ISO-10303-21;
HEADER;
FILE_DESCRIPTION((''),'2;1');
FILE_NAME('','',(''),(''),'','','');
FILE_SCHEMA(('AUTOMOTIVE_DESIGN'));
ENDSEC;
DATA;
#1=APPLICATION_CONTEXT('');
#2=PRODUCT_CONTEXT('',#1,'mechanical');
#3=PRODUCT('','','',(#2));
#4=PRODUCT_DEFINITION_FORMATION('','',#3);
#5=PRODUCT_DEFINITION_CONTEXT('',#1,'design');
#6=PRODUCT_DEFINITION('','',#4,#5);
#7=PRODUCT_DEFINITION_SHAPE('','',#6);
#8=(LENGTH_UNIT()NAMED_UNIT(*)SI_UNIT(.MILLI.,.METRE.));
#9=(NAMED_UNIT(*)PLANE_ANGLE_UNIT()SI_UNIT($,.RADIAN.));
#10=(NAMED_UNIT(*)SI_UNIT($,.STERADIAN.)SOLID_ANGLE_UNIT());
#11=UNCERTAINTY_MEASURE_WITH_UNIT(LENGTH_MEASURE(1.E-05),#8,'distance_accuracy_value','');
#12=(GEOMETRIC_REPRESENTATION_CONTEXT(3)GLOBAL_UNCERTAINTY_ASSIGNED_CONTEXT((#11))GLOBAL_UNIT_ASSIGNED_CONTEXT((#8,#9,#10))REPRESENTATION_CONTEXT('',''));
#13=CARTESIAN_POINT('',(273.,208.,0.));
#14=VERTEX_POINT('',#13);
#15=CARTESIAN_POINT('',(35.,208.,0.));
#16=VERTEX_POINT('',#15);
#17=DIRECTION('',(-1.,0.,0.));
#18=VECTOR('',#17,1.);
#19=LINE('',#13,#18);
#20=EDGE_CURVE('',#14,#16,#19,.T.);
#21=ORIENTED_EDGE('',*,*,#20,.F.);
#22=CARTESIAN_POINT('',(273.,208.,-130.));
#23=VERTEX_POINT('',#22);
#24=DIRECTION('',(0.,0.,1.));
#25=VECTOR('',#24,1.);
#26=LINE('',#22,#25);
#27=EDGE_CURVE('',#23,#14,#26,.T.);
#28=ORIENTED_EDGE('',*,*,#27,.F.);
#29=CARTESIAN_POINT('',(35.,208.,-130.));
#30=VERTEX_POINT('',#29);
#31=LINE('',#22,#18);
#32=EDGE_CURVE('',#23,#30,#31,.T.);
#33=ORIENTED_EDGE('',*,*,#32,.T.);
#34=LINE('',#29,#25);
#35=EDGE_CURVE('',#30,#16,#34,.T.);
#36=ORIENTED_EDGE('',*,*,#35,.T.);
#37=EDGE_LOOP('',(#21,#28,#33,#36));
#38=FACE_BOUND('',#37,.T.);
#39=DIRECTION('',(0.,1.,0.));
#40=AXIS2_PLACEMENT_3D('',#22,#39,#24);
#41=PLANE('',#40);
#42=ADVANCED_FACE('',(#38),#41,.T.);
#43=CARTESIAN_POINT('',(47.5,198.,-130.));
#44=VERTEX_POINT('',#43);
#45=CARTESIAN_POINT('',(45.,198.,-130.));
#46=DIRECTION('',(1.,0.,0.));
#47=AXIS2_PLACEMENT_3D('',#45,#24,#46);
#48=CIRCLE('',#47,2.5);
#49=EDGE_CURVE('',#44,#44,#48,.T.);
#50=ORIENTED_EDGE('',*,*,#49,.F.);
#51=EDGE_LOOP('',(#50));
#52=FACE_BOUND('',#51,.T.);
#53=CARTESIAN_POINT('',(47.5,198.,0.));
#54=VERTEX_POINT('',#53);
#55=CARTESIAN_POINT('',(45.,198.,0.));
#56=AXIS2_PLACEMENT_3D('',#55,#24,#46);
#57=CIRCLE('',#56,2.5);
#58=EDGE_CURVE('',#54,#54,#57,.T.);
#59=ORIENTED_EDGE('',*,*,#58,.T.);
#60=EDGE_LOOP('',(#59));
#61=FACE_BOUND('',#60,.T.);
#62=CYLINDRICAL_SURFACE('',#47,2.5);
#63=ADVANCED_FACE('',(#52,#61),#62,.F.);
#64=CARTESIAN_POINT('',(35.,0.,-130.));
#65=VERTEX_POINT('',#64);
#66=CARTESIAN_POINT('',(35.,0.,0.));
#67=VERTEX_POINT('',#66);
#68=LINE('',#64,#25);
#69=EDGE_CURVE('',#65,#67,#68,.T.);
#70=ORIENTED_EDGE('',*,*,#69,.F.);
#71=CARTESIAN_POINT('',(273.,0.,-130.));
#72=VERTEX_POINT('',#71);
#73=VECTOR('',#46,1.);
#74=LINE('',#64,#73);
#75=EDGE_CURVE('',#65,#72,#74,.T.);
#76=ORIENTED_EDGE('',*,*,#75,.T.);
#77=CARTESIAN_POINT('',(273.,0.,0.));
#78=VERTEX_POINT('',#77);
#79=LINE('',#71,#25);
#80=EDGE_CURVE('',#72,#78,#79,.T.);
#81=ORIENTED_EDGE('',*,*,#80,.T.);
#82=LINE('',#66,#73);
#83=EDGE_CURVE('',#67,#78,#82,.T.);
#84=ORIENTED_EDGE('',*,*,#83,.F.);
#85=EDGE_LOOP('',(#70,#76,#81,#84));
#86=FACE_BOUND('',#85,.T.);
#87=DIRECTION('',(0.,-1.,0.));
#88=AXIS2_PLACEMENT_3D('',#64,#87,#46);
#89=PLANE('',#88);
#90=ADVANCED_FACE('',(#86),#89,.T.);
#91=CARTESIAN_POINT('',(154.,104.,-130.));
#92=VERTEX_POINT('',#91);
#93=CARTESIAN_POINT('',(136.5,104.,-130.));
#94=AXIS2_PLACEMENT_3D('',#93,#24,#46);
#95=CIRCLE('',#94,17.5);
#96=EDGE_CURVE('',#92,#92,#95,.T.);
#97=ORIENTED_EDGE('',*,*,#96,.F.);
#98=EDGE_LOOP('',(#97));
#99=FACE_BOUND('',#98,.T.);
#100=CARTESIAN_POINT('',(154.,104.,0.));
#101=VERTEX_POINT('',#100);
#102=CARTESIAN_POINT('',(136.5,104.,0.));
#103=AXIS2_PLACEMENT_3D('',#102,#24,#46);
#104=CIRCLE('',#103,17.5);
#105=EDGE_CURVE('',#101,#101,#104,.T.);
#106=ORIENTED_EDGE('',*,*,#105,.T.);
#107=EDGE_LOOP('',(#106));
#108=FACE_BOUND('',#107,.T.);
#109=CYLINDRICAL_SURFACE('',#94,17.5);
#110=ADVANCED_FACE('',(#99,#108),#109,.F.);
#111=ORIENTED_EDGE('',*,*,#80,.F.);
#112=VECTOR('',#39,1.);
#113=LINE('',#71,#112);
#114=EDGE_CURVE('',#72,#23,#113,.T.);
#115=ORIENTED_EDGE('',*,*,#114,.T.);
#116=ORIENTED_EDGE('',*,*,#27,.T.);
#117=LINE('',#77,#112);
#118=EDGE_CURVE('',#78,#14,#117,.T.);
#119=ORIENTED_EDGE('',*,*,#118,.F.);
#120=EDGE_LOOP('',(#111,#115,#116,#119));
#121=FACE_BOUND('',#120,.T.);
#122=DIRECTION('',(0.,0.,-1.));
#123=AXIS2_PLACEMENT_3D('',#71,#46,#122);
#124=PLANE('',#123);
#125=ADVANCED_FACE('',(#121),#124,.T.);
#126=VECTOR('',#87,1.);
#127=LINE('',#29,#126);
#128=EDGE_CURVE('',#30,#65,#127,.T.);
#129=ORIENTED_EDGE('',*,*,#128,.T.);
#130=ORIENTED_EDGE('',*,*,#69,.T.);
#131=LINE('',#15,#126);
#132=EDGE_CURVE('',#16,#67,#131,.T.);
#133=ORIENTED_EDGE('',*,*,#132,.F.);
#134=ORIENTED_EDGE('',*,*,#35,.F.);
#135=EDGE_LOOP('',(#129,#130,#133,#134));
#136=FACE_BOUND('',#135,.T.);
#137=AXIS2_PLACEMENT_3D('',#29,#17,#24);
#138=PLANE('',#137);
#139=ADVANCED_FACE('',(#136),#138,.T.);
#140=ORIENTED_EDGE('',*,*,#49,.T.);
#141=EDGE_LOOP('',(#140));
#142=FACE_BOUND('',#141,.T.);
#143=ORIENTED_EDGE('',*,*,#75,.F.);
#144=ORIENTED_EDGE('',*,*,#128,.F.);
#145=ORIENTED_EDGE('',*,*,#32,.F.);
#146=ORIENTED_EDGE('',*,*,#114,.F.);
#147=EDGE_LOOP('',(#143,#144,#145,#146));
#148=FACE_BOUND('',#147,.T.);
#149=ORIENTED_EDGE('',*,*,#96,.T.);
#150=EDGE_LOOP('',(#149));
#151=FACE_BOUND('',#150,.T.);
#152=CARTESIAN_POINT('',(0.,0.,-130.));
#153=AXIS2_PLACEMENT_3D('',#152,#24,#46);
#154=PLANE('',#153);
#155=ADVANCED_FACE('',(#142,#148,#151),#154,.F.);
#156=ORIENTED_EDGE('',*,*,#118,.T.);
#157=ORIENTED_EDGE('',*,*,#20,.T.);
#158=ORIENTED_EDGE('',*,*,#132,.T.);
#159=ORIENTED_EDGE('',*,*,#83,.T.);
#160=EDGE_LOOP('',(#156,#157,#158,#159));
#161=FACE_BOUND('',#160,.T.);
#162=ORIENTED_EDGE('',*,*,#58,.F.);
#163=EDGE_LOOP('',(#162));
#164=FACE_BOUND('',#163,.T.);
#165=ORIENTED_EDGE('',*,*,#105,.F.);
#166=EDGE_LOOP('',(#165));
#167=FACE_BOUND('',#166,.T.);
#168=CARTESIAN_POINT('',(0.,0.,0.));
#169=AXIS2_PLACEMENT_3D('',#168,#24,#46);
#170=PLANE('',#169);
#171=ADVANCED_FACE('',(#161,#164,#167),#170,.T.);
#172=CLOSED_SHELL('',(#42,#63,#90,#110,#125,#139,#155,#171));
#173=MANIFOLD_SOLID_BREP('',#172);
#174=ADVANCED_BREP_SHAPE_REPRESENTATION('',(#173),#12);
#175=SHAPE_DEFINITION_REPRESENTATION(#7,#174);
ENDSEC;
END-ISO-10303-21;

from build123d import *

# Parameters (mm, degrees)
SKETCH1_W           = 238
SKETCH1_H           = 208
SKETCH1_R           = 17.5
SKETCH1_R_2         = 2.5
BOSS_EXTRUDE1_DEPTH = 130


with BuildPart() as part:
    # Sketch1 → Boss-Extrude1 (new body)
    with BuildSketch(Plane.XY):
        with Locations((154, 104)):
            Rectangle(SKETCH1_W, SKETCH1_H)
        with Locations((136.5, 104)):
            Circle(SKETCH1_R, mode=Mode.SUBTRACT)
        with Locations((45, 198)):
            Circle(SKETCH1_R_2, mode=Mode.SUBTRACT)
    extrude(amount=-BOSS_EXTRUDE1_DEPTH)


solid = part.part
